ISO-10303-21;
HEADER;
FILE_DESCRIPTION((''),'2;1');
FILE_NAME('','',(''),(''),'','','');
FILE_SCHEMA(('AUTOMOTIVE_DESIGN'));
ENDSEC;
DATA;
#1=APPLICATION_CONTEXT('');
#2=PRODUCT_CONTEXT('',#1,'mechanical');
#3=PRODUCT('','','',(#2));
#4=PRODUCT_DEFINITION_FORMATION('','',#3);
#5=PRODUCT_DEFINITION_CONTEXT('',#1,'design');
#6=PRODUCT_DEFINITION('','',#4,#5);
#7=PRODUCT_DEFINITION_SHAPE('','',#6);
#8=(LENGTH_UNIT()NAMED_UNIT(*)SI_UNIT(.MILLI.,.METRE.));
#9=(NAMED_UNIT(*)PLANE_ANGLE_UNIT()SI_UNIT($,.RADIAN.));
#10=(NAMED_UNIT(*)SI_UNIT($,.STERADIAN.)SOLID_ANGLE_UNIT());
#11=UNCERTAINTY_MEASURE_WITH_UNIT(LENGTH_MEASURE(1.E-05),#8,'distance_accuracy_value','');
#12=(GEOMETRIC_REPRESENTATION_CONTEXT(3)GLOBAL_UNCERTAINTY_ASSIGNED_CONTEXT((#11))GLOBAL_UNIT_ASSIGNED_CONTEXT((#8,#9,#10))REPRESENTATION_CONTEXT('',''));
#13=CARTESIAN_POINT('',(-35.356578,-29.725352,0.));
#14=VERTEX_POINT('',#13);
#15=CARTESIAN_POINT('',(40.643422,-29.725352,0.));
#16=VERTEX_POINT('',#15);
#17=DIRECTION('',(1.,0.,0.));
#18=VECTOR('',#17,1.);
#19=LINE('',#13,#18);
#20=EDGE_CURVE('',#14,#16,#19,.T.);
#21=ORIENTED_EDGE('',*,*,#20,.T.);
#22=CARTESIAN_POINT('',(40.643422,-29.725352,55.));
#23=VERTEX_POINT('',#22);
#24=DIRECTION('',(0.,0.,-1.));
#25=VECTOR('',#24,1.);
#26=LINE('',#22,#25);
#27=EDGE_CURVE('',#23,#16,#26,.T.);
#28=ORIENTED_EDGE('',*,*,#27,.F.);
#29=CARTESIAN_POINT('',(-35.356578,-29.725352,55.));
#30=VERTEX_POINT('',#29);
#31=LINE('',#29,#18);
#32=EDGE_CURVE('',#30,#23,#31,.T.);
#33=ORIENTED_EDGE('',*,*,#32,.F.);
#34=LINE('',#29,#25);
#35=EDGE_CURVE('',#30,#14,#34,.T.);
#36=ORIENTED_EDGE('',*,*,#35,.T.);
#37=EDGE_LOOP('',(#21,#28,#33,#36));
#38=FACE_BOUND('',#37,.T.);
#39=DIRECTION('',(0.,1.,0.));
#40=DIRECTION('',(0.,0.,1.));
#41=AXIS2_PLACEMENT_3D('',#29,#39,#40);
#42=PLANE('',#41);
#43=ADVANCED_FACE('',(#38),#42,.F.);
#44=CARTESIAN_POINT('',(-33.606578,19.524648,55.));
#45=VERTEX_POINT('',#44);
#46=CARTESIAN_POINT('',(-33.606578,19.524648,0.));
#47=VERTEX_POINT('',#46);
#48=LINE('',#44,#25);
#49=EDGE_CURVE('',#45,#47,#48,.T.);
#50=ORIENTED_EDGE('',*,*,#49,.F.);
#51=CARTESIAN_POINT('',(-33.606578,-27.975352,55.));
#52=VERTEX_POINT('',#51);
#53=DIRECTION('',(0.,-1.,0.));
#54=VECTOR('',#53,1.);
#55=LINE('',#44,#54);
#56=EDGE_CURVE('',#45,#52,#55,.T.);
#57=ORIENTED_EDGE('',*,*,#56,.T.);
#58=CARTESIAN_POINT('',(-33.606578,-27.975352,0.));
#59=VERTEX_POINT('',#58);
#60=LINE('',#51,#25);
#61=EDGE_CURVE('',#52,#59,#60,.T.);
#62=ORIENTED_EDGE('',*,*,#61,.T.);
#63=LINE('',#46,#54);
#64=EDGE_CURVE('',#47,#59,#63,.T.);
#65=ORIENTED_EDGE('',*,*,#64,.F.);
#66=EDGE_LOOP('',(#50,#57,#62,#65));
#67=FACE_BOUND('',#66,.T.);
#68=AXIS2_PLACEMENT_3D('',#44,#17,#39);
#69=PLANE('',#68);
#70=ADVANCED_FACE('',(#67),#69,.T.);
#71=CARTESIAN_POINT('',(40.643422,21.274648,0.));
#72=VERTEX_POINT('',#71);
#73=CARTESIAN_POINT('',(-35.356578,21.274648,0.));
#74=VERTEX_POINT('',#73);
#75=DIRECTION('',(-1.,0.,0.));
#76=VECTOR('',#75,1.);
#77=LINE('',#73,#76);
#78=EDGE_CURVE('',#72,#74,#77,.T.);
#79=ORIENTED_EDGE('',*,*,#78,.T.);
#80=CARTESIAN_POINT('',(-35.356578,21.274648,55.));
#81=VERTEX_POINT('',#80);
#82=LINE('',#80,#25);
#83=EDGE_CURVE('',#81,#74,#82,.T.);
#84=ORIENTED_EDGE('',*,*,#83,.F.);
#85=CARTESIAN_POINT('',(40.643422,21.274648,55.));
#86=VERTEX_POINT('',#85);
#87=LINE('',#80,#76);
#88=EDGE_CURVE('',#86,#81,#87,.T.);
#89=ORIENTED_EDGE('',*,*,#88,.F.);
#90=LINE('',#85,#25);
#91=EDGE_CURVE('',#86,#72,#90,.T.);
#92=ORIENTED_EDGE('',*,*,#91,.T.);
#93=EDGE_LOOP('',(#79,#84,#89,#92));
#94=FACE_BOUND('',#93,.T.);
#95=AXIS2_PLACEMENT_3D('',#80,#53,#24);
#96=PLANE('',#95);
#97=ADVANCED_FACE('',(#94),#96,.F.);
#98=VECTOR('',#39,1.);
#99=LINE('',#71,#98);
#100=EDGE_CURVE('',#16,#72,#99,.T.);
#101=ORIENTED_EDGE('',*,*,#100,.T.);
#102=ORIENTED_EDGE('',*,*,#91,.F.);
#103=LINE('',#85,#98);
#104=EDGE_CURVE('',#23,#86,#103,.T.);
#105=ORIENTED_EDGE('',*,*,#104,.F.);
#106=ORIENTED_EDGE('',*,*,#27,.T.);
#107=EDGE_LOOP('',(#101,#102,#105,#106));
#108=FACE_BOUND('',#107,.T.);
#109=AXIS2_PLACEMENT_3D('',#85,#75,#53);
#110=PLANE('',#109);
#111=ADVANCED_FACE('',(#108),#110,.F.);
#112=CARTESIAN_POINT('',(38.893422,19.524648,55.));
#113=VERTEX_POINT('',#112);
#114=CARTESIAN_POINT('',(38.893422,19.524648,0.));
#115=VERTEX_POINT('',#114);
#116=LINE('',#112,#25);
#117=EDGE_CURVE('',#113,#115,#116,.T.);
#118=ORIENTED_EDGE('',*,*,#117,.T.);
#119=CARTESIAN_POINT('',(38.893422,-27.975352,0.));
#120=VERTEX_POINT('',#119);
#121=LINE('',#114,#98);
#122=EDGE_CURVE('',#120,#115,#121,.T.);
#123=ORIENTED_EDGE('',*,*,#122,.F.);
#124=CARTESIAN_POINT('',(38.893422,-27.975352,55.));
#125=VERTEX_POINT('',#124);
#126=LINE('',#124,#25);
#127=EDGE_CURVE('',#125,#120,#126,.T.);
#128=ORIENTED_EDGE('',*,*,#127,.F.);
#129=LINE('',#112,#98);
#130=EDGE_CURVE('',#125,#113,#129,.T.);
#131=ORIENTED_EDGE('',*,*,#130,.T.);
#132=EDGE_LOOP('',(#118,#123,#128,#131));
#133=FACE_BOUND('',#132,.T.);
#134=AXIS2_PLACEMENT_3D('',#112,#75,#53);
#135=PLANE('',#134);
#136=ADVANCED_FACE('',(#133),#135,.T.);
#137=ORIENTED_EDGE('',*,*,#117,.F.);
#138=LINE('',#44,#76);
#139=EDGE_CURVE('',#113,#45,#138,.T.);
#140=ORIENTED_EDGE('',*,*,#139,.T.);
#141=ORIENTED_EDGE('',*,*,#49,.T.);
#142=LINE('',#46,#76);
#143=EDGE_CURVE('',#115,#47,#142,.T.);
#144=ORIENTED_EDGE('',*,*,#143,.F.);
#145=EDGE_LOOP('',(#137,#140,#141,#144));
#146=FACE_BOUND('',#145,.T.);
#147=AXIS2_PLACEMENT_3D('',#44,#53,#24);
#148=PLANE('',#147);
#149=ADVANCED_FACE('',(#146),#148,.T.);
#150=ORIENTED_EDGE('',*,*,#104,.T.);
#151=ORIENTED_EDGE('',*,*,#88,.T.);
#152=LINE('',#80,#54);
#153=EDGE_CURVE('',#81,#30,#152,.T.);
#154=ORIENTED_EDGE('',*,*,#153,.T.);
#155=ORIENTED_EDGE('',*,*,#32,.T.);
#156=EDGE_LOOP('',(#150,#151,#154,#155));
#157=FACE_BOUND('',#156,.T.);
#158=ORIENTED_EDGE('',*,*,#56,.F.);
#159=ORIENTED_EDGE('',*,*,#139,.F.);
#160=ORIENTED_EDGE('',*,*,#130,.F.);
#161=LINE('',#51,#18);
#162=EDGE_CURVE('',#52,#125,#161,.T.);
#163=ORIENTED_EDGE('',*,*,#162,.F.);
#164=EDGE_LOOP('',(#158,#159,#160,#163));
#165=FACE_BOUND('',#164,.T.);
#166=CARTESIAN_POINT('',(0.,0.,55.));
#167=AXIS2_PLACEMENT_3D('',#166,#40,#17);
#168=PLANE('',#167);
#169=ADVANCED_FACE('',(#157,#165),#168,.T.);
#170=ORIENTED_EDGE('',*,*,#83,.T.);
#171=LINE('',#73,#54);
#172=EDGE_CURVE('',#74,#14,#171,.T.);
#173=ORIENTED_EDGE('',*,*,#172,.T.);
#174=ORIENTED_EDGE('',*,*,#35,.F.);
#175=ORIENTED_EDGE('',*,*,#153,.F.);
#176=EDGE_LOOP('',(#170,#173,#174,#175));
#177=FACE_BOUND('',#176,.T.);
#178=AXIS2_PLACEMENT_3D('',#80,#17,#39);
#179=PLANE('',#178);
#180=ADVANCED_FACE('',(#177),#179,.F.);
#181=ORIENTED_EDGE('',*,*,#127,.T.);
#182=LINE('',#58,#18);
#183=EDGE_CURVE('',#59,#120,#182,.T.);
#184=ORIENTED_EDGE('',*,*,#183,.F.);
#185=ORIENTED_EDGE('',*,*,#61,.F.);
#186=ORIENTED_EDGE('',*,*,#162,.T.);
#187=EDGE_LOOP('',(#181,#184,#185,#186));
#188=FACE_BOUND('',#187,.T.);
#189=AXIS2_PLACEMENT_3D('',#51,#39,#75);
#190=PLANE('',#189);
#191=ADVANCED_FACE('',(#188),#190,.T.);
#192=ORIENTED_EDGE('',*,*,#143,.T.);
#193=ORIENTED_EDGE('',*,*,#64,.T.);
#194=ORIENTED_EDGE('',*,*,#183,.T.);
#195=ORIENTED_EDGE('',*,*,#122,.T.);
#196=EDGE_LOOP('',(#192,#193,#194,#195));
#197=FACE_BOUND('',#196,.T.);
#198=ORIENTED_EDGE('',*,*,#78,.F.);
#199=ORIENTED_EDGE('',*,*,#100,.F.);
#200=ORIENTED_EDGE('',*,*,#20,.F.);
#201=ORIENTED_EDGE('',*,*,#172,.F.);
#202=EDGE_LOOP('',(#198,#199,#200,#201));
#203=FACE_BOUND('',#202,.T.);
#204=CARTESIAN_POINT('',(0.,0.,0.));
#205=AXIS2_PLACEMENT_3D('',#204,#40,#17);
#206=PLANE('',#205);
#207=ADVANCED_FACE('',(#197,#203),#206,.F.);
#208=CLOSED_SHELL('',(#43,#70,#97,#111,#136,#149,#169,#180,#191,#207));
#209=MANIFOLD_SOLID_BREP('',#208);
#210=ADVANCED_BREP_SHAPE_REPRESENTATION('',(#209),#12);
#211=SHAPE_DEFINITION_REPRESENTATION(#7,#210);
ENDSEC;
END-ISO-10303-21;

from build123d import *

# Parameters (mm, degrees)
SKETCH_1_W      = 76
SKETCH_1_H      = 51
SKETCH_1_W_2    = 72.5
SKETCH_1_H_2    = 47.5
EXTRUDE_1_DEPTH = 55


with BuildPart() as part:
    # ｽｹｯﾁ1 → ﾎﾞｽ - 押し出し1 (new body)
    with BuildSketch(Plane.XY):
        with Locations((2.643421505, -4.225352113)):
            Rectangle(SKETCH_1_W, SKETCH_1_H)
        with Locations((2.643421505, -4.225352113)):
            Rectangle(SKETCH_1_W_2, SKETCH_1_H_2, mode=Mode.SUBTRACT)
    extrude(amount=EXTRUDE_1_DEPTH)


solid = part.part
